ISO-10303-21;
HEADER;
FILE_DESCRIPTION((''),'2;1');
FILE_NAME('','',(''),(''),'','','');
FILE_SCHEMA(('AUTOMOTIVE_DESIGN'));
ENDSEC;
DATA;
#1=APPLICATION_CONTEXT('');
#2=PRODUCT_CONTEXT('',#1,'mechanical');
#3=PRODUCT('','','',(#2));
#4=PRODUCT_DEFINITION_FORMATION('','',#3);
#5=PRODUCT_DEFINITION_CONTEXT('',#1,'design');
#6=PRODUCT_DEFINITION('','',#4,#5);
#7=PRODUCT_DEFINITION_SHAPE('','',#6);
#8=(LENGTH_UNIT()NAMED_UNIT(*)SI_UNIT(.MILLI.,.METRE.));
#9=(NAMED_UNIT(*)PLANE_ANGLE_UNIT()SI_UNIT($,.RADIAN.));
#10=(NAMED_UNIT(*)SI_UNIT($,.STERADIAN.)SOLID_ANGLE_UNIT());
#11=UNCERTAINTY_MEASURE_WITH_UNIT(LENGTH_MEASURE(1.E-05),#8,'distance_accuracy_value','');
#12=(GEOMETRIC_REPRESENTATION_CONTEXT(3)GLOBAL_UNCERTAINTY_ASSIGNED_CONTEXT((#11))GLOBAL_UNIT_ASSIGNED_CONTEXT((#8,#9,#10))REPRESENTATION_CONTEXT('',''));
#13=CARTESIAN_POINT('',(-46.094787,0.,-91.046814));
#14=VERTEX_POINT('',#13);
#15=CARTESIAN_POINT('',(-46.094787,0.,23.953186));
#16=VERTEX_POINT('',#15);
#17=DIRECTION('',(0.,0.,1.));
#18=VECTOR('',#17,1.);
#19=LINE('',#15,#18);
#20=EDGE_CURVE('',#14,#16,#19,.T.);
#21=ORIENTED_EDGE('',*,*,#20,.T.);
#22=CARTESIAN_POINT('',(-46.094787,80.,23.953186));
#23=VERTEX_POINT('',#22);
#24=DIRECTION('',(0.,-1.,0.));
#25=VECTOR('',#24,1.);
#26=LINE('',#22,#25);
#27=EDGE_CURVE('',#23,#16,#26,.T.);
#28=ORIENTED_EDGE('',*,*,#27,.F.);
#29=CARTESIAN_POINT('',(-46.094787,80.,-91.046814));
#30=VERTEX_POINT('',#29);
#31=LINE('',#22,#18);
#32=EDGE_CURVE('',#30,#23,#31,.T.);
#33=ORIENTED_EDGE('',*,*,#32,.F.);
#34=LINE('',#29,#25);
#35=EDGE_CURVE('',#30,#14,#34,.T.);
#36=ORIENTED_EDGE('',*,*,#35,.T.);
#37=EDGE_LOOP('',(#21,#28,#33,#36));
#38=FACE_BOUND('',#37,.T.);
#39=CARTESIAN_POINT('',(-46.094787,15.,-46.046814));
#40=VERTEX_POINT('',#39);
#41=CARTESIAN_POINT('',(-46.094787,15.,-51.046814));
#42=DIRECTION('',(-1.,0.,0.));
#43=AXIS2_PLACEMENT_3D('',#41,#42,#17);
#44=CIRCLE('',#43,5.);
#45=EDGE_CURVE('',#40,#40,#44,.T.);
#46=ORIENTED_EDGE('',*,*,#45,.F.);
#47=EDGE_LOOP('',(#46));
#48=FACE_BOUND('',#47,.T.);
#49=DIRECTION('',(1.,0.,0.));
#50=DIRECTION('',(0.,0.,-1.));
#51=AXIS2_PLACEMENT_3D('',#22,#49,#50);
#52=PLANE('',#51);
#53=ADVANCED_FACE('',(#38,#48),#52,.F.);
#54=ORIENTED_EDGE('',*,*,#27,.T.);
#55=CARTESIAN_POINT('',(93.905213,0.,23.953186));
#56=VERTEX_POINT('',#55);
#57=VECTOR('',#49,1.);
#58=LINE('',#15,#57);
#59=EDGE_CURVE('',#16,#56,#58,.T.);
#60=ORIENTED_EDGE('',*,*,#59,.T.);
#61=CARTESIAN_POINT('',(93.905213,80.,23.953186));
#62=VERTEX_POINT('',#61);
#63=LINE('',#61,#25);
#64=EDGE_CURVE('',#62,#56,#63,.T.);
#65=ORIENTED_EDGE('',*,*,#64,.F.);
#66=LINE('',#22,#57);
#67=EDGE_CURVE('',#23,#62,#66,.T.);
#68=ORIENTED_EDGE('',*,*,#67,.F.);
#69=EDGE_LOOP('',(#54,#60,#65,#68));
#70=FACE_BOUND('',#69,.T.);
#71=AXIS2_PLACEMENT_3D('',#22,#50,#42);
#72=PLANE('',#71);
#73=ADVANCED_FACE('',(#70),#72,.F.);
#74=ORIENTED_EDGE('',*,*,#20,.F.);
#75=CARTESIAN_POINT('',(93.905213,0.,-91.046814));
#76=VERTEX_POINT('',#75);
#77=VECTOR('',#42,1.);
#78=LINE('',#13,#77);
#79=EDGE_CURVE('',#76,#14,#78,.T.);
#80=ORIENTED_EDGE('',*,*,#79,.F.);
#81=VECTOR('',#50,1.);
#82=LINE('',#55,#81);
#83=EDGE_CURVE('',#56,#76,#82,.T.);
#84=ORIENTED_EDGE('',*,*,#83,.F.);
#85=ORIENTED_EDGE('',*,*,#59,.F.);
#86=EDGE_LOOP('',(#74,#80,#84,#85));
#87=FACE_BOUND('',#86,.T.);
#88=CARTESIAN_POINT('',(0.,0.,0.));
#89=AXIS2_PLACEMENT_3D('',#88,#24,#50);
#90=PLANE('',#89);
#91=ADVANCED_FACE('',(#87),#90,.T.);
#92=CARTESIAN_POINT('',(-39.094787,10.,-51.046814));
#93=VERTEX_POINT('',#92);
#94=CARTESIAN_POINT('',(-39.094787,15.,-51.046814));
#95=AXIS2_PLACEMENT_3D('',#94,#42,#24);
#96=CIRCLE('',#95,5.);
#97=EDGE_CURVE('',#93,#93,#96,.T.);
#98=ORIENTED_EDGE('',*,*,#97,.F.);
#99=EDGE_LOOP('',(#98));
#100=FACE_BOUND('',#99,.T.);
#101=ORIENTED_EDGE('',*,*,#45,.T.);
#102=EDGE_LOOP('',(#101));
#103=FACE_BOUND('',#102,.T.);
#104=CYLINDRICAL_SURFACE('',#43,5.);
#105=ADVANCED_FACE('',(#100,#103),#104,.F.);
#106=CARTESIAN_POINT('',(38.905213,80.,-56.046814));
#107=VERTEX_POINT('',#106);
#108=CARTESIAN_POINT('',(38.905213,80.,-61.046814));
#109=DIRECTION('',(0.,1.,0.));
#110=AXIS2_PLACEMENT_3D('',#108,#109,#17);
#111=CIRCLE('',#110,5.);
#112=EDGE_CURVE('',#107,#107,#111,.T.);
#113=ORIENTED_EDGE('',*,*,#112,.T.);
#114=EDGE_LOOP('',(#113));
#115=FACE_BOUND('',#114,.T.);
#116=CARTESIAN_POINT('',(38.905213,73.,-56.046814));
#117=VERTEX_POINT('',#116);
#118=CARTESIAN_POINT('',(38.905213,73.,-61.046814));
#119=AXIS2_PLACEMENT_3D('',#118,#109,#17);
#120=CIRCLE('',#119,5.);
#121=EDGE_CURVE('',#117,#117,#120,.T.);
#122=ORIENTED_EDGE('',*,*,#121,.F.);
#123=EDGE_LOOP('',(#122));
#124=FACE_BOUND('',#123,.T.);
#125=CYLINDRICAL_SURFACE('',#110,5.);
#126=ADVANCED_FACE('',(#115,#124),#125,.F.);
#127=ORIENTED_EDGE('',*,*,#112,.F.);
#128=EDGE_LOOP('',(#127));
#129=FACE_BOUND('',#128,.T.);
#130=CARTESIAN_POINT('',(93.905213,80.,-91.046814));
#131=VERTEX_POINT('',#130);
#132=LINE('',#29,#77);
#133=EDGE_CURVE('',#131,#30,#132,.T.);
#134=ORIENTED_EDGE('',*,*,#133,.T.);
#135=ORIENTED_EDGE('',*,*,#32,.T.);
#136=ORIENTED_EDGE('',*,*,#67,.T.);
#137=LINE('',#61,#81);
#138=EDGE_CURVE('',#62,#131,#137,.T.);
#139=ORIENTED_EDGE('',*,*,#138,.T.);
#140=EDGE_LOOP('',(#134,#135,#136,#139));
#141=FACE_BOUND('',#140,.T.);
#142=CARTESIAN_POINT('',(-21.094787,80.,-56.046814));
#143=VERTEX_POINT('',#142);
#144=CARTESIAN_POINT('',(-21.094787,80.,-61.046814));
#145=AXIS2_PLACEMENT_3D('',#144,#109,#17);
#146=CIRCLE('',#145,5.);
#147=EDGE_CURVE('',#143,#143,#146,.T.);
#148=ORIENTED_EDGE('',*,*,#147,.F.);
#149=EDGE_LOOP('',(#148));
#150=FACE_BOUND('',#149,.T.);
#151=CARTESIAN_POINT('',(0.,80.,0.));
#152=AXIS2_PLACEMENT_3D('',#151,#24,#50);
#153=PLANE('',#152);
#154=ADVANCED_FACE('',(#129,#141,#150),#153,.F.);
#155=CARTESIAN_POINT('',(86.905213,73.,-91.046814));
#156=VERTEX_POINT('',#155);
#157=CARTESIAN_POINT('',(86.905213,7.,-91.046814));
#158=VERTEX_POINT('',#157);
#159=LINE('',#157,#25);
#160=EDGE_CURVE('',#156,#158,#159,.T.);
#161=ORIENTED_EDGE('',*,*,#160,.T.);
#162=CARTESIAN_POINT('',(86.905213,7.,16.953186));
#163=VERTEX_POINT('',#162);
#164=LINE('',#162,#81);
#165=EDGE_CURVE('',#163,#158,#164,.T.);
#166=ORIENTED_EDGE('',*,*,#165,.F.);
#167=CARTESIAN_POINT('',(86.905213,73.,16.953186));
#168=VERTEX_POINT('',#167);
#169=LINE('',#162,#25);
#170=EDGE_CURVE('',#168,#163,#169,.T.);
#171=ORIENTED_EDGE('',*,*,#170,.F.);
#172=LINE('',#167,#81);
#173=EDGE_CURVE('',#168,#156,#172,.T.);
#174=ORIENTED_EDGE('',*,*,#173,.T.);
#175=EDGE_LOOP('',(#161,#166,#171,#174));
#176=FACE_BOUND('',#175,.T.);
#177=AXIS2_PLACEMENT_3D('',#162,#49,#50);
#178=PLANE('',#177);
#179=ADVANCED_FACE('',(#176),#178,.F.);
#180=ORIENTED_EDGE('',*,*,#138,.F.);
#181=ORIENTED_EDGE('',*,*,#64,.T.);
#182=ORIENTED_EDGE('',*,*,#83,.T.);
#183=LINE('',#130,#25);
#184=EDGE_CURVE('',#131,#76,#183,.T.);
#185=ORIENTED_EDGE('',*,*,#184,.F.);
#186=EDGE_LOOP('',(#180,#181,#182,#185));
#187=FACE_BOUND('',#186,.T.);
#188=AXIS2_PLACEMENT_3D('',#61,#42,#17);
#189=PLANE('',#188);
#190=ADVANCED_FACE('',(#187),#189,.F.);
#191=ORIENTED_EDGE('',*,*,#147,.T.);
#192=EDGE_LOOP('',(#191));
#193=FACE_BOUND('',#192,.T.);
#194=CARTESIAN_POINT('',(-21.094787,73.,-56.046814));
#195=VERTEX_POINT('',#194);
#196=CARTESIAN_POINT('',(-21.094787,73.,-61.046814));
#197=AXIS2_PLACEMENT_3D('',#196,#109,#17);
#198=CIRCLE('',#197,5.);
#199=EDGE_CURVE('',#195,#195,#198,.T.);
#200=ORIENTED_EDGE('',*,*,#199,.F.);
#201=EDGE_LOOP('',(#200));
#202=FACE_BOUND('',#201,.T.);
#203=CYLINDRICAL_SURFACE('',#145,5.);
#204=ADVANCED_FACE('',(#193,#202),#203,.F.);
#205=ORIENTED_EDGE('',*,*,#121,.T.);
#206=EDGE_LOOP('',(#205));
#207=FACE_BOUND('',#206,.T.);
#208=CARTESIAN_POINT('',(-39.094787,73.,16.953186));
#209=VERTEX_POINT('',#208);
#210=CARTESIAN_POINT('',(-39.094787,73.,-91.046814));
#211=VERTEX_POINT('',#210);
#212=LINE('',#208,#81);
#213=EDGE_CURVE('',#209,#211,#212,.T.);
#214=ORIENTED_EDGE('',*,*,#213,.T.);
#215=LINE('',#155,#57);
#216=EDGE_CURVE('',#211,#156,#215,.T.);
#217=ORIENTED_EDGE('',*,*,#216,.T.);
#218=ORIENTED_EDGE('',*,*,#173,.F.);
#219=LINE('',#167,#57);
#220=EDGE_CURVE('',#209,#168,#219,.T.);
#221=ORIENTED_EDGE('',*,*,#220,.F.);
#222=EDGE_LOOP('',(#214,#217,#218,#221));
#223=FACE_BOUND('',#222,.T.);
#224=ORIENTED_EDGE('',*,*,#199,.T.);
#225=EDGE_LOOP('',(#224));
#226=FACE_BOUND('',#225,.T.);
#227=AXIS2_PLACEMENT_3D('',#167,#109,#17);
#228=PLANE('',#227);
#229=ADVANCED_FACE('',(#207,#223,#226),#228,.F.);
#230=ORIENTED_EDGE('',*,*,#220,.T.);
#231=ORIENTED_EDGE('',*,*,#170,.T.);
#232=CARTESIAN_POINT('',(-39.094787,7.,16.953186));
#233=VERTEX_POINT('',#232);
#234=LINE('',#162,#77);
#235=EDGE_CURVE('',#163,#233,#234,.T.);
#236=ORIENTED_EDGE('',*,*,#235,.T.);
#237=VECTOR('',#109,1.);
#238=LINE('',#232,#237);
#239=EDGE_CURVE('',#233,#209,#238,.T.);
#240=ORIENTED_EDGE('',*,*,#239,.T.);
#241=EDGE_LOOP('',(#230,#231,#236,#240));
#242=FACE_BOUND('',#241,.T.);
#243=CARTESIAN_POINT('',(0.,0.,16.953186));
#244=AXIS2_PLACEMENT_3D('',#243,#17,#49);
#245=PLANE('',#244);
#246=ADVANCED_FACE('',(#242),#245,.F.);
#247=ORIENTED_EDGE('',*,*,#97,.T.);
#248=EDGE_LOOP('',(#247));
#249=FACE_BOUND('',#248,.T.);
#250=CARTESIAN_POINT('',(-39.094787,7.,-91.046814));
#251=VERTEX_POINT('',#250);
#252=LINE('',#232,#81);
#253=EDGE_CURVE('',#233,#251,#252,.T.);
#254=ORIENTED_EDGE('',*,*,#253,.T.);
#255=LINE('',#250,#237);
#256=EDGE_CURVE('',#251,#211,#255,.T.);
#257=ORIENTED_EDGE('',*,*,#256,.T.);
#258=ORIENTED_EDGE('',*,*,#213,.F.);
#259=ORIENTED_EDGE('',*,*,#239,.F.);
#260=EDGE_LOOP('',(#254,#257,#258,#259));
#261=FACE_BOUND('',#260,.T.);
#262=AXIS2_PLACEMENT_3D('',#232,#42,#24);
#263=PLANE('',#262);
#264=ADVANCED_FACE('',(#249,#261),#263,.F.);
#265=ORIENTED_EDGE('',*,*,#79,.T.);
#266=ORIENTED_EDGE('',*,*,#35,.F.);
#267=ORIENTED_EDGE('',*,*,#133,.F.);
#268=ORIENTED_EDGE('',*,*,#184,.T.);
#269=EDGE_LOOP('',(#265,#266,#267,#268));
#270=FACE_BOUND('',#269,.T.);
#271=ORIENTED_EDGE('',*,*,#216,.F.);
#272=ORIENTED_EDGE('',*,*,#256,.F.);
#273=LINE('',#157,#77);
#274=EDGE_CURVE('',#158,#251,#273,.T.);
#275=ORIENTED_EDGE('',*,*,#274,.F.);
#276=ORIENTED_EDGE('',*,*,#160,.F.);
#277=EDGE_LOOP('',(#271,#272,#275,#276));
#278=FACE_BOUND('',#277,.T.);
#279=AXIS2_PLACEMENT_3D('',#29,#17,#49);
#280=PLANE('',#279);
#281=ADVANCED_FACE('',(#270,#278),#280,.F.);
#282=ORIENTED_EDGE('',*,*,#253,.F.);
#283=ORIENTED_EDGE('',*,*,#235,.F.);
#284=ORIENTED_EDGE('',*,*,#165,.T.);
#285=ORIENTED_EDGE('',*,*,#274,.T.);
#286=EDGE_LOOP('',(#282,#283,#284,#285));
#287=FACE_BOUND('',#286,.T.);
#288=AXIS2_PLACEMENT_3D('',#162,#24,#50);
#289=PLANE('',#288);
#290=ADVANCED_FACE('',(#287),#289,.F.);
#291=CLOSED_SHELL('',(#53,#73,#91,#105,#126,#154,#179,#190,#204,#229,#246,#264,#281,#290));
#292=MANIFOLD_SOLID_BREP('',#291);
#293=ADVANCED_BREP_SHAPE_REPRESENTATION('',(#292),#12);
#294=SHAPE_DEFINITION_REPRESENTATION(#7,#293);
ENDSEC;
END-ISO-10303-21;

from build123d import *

# Parameters (mm, degrees)
SKETCH1_W                        = 140
SKETCH1_H                        = 115
BOSS_EXTRUDE1_DEPTH              = 80
SKETCH3_W                        = 126
SKETCH3_H                        = 66
CUT_EXTRUDE1_DEPTH               = 108
M10X1_0_TAPPED_HOLE1_D           = 9
M10X1_0_TAPPED_HOLE1_DEPTH       = 23
M10X1_0_TAPPED_HOLE1_CBORE_D     = 10
M10X1_0_TAPPED_HOLE1_CBORE_DEPTH = 20
M10X1_0_TAPPED_HOLE1_TIP         = 2.703872786
M10X1_0_TAPPED_HOLE2_D           = 9
M10X1_0_TAPPED_HOLE2_DEPTH       = 23
M10X1_0_TAPPED_HOLE2_CBORE_D     = 10
M10X1_0_TAPPED_HOLE2_CBORE_DEPTH = 20
M10X1_0_TAPPED_HOLE2_TIP         = 2.703872786


with BuildPart() as part:
    # Sketch1 → Boss-Extrude1 (new body)
    with BuildSketch(Plane(origin=(0, 0, 0), x_dir=(1, 0, 0), z_dir=(0, 1, 0))):
        with Locations((23.905213361, 33.54681393)):
            Rectangle(SKETCH1_W, SKETCH1_H)
    extrude(amount=BOSS_EXTRUDE1_DEPTH)

    # Sketch3 → Cut-Extrude1 (cut)
    with BuildSketch(Plane(origin=(0, 0, -91.04681393), x_dir=(-1, 0, 0), z_dir=(0, 0, -1))):
        with Locations((-23.905213361, 40)):
            Rectangle(SKETCH3_W, SKETCH3_H)
    extrude(amount=-CUT_EXTRUDE1_DEPTH, mode=Mode.SUBTRACT)

    # M10x1.0 Tapped Hole1
    with Locations(Plane(origin=(0, 80, 0), x_dir=(1, 0, 0), z_dir=(0, 1, 0))):
        with Locations((-21.094786639, 61.04681393), (38.905213361, 61.04681393)):
            CounterBoreHole(M10X1_0_TAPPED_HOLE1_D / 2, M10X1_0_TAPPED_HOLE1_CBORE_D / 2, M10X1_0_TAPPED_HOLE1_CBORE_DEPTH, depth=M10X1_0_TAPPED_HOLE1_DEPTH)
            with Locations((0, 0, -(M10X1_0_TAPPED_HOLE1_DEPTH + M10X1_0_TAPPED_HOLE1_TIP / 2))):  # 118° drill point
                Cone(0, M10X1_0_TAPPED_HOLE1_D / 2, M10X1_0_TAPPED_HOLE1_TIP, mode=Mode.SUBTRACT)

    # M10x1.0 Tapped Hole2
    with Locations(Plane.ZY.offset(46.094786639)):
        with Locations((-51.04681393, 15)):
            CounterBoreHole(M10X1_0_TAPPED_HOLE2_D / 2, M10X1_0_TAPPED_HOLE2_CBORE_D / 2, M10X1_0_TAPPED_HOLE2_CBORE_DEPTH, depth=M10X1_0_TAPPED_HOLE2_DEPTH)
            with Locations((0, 0, -(M10X1_0_TAPPED_HOLE2_DEPTH + M10X1_0_TAPPED_HOLE2_TIP / 2))):  # 118° drill point
                Cone(0, M10X1_0_TAPPED_HOLE2_D / 2, M10X1_0_TAPPED_HOLE2_TIP, mode=Mode.SUBTRACT)


solid = part.part
